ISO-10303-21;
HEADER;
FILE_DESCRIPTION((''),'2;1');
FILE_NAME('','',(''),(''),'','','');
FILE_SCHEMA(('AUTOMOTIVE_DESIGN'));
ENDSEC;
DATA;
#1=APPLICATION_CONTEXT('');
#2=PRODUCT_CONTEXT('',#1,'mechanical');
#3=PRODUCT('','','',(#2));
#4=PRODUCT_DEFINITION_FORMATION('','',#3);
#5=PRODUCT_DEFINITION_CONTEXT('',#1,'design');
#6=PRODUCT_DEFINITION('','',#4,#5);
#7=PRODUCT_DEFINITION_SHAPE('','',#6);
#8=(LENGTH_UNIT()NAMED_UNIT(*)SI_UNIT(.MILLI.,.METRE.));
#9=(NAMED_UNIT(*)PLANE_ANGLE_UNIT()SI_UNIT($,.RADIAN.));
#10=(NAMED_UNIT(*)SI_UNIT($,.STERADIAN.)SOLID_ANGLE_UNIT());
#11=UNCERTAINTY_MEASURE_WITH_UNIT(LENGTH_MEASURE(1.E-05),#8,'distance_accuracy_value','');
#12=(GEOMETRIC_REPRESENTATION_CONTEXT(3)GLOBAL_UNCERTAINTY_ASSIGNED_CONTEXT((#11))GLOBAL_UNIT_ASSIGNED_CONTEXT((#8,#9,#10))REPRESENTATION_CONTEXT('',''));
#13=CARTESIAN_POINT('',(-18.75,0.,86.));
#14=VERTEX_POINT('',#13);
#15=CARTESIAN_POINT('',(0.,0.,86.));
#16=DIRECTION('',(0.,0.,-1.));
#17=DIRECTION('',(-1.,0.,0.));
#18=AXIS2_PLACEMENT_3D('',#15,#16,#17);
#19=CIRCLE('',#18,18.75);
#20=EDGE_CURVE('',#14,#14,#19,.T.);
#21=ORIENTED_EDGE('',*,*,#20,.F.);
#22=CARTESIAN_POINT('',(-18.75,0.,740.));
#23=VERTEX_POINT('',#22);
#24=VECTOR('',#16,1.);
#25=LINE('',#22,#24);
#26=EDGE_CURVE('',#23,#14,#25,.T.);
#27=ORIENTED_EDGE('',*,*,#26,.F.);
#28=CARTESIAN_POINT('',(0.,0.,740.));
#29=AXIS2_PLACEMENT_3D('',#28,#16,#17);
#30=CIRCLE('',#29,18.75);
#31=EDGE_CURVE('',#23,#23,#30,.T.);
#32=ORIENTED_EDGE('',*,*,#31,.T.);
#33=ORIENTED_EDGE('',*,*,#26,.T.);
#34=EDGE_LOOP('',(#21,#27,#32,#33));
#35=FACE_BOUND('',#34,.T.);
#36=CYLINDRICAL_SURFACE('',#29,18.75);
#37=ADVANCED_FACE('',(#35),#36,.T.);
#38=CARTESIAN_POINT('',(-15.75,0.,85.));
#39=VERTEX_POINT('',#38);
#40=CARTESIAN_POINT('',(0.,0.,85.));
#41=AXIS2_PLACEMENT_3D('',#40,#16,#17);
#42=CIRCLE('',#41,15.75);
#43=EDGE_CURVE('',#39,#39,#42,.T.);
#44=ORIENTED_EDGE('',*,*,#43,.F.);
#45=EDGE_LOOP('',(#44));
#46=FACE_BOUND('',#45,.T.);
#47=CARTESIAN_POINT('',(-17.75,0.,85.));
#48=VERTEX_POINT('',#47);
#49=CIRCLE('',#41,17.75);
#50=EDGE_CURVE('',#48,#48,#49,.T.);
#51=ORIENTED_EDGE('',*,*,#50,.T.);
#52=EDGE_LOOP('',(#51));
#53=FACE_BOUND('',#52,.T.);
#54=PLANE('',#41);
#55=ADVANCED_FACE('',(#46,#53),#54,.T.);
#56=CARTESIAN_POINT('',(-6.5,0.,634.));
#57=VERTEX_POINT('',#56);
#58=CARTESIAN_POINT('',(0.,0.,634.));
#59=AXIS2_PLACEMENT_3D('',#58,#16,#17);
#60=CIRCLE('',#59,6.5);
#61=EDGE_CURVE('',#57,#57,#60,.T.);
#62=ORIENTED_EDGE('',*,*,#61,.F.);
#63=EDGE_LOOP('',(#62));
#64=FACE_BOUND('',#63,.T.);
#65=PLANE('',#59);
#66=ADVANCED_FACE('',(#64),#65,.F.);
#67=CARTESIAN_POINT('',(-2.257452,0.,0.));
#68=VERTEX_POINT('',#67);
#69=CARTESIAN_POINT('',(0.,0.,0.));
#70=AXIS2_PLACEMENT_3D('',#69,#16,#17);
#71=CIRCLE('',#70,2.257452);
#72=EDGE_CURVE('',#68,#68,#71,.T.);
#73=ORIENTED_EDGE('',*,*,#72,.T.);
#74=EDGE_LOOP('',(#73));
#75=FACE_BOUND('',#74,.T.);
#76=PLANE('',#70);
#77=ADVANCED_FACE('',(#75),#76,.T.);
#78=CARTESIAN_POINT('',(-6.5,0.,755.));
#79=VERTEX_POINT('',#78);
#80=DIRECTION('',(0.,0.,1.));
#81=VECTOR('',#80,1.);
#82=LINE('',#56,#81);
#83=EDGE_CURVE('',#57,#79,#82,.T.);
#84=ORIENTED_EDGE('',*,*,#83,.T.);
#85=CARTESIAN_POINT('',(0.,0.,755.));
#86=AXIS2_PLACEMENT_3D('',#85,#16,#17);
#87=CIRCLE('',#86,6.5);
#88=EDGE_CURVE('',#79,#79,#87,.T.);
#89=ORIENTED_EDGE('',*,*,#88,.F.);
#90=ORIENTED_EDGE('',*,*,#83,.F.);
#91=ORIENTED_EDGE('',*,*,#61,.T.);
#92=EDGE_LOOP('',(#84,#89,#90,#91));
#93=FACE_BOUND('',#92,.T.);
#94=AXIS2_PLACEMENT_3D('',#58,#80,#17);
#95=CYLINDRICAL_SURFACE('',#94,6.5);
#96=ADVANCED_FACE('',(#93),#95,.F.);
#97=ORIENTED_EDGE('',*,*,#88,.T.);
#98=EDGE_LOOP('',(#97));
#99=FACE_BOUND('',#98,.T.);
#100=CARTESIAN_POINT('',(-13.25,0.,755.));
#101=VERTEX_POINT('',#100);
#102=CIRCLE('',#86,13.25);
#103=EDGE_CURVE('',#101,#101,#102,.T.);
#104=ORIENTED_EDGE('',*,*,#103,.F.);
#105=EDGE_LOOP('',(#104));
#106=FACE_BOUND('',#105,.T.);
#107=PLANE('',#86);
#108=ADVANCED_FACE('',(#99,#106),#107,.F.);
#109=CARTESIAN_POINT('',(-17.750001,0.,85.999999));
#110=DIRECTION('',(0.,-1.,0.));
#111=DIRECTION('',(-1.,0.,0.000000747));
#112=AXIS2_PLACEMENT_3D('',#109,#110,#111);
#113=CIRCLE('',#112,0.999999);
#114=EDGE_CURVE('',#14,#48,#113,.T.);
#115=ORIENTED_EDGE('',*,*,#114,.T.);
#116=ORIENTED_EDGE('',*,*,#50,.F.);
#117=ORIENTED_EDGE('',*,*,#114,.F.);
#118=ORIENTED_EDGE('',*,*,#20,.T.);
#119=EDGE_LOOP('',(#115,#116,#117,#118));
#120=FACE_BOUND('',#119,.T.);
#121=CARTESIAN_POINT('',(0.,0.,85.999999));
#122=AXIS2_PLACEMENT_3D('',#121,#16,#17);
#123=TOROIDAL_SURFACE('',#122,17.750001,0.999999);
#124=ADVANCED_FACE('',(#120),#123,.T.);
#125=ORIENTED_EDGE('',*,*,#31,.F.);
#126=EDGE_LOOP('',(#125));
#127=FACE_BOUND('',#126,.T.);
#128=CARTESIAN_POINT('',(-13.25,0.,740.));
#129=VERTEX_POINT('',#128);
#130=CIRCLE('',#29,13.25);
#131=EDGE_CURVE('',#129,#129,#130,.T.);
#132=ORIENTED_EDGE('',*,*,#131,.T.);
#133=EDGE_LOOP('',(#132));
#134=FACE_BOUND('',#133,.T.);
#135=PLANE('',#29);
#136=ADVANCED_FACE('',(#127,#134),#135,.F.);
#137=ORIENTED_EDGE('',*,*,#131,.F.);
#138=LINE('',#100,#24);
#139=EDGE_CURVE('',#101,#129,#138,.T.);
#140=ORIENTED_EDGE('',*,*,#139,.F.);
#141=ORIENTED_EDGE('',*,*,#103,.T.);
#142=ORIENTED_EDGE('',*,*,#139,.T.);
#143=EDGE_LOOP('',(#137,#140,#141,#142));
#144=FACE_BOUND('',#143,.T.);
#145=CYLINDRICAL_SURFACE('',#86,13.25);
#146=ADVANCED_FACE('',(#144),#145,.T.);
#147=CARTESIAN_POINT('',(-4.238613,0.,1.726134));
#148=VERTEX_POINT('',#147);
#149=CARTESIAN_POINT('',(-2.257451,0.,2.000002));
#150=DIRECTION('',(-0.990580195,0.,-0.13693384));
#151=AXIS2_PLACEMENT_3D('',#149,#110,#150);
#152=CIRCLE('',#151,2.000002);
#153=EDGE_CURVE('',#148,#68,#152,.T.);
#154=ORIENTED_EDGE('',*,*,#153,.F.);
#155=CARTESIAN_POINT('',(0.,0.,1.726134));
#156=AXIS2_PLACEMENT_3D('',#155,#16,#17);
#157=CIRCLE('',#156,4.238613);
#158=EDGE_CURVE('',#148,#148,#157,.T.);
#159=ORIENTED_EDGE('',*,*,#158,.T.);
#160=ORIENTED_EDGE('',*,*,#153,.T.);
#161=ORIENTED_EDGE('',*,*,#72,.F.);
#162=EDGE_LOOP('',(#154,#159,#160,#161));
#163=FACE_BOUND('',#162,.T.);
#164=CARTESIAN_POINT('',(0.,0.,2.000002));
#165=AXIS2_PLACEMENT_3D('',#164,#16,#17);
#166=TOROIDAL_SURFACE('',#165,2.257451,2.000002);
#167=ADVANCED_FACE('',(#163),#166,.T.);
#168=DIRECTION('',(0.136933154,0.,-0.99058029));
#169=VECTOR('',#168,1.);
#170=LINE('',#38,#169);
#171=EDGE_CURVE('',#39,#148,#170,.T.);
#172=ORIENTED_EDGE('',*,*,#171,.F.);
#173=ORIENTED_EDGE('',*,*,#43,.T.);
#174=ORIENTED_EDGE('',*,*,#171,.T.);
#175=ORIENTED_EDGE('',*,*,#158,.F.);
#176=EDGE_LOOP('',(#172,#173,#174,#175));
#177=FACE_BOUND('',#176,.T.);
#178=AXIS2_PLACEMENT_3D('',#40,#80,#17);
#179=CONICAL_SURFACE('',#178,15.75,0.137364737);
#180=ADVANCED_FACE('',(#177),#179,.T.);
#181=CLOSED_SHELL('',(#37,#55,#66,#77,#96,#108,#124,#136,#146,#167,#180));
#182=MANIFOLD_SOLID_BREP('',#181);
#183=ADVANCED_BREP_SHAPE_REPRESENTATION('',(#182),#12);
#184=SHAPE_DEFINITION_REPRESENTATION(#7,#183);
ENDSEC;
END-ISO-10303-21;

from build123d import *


with BuildPart() as f1:
    # F0 (on Front) → F1 (revolve)
    with BuildSketch(Plane.XZ):
        with BuildLine():
            Line((-13.25, 755), (-13.25, 740))
            Line((-13.25, 740), (-18.75, 740))
            Line((-18.75, 740), (-18.75, 86))
            ThreePointArc((-18.75, 86), (-18.457107, 85.292893), (-17.75, 85))
            Line((-17.75, 85), (-15.75, 85))
            Line((-15.75, 85), (-4.238613, 1.726134))
            ThreePointArc((-4.238613, 1.726134), (-3.571276, 0.492066), (-2.257452, 0))
            Line((-2.257452, 0), (0, 0))
            Line((0, 0), (0, 634))
            Line((0, 634), (-6.5, 634))
            Line((-6.5, 634), (-6.5, 755))
            Line((-6.5, 755), (-13.25, 755))
        make_face()
    revolve(axis=Axis((0, 0, 317), (0, 0, -1)))


solid = f1.part
